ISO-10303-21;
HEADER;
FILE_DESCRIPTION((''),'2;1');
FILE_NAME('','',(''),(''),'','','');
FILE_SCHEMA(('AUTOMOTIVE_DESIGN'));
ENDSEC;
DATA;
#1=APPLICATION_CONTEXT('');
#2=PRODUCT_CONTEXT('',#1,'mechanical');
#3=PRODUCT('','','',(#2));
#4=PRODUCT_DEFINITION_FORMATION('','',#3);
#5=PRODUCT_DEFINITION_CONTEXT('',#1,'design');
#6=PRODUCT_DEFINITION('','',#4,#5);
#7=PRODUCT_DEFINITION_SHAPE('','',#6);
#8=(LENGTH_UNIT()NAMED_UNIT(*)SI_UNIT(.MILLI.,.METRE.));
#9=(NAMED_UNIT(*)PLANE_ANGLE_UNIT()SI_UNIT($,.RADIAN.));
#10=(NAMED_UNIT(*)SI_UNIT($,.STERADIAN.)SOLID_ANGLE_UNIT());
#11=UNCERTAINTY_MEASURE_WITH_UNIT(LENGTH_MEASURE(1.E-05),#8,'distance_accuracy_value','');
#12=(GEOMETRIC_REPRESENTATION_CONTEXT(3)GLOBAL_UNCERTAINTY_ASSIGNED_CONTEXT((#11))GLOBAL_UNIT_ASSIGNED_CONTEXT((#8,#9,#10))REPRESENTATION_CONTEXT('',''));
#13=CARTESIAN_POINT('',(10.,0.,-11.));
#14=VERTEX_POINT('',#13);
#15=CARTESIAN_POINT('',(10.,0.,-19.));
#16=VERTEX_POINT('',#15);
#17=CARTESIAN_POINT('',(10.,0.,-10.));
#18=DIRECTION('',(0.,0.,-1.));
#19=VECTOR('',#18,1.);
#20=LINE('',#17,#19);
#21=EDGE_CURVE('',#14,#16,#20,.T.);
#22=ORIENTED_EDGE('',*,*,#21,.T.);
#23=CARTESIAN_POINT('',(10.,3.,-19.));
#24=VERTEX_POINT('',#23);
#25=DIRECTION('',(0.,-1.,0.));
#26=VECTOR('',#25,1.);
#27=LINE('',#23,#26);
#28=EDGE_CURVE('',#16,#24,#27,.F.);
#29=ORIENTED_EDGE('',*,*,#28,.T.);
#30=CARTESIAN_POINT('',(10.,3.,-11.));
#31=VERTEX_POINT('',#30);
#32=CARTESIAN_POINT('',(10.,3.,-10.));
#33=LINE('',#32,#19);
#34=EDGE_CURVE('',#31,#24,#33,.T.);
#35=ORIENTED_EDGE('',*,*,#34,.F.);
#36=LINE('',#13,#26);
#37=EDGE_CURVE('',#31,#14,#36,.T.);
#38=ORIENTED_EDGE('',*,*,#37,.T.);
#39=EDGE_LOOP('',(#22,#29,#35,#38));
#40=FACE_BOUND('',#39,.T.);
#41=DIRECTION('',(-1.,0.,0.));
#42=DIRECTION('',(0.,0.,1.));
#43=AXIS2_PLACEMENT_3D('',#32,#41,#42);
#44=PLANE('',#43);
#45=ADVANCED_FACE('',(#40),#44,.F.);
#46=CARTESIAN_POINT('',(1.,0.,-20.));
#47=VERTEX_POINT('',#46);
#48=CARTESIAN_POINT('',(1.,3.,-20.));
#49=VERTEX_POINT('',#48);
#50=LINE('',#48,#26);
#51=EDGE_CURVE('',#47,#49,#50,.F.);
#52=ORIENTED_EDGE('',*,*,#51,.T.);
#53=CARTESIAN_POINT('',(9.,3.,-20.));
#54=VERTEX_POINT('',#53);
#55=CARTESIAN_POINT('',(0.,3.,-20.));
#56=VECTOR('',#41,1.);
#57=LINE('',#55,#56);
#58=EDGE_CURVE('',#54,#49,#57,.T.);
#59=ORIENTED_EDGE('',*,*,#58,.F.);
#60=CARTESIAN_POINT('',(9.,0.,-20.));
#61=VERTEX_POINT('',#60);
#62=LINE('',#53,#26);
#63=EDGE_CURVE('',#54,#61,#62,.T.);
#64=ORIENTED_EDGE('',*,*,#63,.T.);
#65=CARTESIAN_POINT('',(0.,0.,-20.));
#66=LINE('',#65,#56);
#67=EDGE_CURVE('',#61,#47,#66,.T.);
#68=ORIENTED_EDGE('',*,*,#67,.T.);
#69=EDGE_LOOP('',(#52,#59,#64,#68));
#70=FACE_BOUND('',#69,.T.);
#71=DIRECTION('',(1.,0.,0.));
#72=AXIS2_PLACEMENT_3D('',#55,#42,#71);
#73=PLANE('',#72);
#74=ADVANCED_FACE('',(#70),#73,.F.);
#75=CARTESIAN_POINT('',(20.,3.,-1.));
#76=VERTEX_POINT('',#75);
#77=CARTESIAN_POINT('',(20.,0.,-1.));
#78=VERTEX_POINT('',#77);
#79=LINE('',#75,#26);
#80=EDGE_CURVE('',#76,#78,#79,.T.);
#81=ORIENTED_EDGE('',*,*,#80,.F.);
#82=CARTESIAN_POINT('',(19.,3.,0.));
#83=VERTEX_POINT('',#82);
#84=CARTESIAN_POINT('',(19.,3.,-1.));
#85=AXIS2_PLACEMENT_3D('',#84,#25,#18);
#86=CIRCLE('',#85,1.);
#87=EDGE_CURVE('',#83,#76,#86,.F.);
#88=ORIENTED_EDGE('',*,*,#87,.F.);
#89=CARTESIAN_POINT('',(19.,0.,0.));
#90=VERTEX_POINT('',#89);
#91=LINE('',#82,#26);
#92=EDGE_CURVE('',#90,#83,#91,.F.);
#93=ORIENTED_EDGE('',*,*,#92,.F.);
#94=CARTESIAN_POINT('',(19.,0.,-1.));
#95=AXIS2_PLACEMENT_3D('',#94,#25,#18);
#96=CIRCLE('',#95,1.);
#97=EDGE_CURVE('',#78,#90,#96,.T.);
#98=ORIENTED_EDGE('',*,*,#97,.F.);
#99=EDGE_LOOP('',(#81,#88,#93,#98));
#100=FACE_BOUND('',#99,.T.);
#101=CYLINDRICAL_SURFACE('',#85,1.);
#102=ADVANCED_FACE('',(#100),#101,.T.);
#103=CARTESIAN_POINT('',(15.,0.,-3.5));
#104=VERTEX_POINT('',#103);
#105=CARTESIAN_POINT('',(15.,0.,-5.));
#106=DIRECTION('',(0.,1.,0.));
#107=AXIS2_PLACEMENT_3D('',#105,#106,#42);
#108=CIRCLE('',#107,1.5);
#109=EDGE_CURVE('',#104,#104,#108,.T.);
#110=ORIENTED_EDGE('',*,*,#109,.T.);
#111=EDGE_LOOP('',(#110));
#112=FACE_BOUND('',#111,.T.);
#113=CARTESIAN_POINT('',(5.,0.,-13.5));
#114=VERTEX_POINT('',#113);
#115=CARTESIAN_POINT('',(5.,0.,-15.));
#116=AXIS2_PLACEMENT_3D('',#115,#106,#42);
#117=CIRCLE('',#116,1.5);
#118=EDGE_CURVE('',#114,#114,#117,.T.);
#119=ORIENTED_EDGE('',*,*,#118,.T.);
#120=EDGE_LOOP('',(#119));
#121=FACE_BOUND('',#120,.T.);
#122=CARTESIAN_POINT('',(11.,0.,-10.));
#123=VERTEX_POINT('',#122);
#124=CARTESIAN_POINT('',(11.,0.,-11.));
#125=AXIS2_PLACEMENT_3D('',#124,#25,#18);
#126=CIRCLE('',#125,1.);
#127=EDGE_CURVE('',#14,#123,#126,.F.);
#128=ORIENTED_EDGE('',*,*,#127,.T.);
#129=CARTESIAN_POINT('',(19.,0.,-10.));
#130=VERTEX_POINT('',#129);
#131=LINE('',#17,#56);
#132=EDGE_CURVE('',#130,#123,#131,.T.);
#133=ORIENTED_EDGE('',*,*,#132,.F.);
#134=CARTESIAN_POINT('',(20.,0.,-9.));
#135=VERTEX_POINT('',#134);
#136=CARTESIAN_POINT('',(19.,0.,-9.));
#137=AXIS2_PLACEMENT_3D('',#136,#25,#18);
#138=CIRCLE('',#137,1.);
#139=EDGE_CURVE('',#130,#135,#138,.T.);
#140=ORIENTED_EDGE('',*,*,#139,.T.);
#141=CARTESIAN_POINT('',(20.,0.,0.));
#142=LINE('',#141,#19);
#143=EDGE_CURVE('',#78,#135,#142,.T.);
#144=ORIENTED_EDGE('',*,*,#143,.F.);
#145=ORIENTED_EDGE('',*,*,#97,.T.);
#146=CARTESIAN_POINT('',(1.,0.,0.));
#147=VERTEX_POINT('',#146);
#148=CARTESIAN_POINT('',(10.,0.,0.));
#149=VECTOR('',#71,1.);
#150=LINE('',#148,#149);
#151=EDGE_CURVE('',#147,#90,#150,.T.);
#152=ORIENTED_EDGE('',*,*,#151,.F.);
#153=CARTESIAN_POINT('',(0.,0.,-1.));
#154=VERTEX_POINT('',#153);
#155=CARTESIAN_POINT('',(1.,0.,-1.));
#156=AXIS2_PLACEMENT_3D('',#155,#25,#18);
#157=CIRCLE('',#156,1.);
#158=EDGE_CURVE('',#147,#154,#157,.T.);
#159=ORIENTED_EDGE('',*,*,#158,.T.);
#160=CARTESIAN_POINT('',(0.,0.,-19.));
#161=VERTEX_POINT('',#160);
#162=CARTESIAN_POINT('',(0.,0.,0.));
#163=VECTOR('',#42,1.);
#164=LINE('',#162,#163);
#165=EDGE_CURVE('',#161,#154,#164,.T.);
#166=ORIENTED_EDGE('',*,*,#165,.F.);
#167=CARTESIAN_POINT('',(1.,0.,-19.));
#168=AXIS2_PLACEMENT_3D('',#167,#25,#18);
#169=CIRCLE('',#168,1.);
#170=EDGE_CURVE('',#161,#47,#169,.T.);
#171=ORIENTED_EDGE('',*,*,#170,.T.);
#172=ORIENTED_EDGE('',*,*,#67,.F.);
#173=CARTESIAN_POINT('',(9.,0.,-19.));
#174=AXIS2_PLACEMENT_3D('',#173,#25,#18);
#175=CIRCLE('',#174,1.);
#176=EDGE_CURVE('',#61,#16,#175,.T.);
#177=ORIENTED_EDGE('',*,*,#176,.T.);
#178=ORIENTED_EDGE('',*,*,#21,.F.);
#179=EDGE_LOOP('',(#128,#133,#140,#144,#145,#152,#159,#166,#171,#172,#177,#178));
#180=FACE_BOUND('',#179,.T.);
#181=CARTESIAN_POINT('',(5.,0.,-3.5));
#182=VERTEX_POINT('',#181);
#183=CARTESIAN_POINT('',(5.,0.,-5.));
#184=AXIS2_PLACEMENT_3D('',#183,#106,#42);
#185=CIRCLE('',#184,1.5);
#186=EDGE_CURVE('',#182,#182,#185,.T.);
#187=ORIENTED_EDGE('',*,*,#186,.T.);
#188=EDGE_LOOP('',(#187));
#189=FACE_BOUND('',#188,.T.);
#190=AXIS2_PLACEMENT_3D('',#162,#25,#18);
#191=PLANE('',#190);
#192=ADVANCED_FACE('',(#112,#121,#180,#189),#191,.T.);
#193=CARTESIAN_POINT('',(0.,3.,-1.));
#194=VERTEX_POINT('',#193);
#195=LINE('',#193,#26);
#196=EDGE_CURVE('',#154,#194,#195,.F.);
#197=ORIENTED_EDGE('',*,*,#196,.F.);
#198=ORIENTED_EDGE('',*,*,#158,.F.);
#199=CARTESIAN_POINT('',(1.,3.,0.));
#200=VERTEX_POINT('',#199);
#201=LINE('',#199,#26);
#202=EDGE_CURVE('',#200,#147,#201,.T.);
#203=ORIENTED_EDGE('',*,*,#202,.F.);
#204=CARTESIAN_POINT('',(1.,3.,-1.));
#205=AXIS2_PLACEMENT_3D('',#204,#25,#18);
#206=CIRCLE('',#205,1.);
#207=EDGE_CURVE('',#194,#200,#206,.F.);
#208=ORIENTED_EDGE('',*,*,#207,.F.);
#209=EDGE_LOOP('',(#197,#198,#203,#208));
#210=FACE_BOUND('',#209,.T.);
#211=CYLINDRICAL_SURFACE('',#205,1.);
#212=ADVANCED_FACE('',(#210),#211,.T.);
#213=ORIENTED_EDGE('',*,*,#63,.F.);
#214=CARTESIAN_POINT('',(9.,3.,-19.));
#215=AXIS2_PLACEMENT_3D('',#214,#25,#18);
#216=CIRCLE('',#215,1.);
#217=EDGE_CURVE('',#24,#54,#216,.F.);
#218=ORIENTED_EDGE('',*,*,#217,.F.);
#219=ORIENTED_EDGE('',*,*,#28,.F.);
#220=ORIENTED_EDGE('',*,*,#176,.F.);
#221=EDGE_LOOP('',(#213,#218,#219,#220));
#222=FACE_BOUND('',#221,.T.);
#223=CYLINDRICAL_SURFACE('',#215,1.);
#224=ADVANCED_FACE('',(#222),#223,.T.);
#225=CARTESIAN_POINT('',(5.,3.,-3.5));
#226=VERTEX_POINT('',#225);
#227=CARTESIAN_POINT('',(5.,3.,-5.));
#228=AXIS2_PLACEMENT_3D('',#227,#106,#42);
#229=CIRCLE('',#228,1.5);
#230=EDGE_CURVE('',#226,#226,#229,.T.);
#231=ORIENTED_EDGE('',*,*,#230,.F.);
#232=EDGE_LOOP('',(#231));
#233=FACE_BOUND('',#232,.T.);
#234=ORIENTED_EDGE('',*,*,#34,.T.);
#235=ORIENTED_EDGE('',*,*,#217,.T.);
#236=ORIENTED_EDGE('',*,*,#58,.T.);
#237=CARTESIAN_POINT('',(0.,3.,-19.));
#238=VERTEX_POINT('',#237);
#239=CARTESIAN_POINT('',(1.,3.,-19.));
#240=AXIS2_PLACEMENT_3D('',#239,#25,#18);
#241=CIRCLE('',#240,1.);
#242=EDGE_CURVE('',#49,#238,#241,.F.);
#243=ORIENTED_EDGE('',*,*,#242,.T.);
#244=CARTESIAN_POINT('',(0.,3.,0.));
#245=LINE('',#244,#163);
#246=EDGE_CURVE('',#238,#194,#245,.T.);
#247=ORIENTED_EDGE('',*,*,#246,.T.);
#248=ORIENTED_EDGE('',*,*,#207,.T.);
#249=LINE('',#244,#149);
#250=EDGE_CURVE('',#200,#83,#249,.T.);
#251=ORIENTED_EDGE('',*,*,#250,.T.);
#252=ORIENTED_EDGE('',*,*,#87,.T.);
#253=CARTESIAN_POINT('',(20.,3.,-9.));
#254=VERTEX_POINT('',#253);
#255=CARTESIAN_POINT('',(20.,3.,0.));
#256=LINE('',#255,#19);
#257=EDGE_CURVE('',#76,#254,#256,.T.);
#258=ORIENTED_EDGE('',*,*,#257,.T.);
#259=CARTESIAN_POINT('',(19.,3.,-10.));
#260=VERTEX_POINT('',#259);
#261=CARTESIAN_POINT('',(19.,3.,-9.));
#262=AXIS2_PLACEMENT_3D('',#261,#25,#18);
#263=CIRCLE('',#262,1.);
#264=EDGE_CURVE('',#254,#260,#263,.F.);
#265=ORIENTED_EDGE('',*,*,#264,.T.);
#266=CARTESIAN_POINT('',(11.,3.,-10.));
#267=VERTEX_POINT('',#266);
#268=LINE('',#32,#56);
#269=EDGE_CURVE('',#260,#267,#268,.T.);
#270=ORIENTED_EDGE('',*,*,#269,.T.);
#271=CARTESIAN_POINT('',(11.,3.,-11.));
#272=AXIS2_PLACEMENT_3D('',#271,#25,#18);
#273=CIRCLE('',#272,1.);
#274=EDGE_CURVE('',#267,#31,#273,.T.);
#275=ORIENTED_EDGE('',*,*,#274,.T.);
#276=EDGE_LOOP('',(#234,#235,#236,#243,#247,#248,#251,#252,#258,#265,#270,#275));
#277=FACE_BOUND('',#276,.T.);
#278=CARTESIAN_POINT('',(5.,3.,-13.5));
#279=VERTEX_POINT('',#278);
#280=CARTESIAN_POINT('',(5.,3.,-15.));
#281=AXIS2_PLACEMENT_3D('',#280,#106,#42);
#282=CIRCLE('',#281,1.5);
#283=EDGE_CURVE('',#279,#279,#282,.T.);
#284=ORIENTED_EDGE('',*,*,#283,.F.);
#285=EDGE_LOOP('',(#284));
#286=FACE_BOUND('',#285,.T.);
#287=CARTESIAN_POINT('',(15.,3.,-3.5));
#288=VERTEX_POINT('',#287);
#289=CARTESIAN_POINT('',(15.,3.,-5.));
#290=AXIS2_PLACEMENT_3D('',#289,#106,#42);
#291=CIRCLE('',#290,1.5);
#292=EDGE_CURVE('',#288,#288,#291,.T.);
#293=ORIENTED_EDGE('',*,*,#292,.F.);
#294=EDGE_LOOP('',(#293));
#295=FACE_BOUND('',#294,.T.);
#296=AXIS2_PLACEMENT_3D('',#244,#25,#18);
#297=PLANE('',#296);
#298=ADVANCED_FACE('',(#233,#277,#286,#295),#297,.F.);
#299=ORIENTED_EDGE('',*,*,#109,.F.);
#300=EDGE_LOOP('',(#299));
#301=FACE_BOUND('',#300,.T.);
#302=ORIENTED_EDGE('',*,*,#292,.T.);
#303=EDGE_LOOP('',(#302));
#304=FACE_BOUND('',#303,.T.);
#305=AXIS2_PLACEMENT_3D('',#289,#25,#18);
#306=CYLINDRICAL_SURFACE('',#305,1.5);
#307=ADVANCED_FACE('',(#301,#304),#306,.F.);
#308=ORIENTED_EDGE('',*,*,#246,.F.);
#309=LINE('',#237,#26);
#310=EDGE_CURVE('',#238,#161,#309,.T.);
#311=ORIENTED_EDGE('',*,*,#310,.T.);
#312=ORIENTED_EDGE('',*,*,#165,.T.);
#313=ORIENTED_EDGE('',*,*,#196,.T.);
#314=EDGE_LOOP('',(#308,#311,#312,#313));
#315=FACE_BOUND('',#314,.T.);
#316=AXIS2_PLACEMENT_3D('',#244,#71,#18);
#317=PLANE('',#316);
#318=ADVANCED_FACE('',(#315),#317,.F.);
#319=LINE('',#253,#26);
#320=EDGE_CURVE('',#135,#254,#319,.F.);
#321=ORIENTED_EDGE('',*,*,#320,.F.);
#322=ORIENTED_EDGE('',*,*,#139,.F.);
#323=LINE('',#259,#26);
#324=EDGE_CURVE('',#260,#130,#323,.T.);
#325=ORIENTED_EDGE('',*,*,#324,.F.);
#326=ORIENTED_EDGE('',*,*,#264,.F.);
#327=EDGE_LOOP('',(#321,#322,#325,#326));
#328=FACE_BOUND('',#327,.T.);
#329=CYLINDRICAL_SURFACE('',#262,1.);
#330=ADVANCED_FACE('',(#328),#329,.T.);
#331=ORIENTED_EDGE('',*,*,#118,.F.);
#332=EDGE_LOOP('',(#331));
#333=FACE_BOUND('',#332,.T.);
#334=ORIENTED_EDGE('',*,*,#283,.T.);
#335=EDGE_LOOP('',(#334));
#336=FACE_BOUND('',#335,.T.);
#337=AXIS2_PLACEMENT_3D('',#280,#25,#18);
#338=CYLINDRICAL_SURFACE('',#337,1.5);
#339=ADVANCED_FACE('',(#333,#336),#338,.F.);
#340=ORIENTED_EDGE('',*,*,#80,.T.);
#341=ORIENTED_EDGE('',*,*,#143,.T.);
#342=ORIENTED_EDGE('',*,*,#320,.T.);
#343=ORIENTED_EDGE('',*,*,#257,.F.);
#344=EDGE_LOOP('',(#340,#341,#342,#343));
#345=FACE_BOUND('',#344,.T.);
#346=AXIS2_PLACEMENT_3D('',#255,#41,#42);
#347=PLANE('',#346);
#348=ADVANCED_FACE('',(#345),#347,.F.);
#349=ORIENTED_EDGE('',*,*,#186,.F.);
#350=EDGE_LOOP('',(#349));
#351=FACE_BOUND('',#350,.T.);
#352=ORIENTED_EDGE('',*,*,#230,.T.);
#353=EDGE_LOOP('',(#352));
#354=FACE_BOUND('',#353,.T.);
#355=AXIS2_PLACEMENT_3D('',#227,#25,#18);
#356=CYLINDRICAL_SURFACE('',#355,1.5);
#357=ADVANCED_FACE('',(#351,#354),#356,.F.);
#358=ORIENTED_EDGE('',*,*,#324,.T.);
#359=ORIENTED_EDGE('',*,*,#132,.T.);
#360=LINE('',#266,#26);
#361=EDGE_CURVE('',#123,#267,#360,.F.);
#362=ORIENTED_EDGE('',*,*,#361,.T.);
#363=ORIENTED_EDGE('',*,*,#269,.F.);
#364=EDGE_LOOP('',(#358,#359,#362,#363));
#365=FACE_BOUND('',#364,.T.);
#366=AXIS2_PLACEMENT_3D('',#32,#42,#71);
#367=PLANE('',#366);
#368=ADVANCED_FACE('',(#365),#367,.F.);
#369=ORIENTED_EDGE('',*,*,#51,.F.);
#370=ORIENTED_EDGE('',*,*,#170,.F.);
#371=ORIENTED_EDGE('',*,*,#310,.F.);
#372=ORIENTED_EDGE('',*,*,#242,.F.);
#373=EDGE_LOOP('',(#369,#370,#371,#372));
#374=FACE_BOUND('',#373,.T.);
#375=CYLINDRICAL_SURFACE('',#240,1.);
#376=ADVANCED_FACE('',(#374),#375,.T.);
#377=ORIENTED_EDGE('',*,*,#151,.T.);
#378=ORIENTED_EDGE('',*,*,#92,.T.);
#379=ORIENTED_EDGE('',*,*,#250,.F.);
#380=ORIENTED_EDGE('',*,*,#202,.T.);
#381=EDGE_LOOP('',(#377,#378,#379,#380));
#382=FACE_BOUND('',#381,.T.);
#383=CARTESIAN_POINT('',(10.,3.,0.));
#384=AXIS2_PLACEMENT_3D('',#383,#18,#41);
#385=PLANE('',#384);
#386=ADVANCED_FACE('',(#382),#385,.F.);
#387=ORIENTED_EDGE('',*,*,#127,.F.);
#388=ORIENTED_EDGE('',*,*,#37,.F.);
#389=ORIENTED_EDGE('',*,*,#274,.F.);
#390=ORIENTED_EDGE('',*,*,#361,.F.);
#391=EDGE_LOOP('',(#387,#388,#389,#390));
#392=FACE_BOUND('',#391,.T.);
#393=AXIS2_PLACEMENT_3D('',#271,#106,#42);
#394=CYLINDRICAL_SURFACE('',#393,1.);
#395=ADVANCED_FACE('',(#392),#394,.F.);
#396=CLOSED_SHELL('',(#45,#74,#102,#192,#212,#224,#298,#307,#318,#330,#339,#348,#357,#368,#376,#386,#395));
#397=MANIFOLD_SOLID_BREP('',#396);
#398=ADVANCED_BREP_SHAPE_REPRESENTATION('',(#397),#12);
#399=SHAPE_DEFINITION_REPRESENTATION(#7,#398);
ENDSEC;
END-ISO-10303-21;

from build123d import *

# Parameters (mm, degrees)
SKETCH1_R           = 1.5
BOSS_EXTRUDE1_DEPTH = 3
FILLET1_R           = 1
FILLET2_R           = 1


with BuildPart() as part:
    # Sketch1 → Boss-Extrude1 (new body)
    with BuildSketch(Plane(origin=(0, 0, 0), x_dir=(1, 0, 0), z_dir=(0, 1, 0))):
        Polygon((0, 0), (10, 0), (20, 0), (20, 10), (10, 10), (10, 20), (0, 20), align=None)
        with Locations(Location((5, 15, 0), (0, 0, 270))):
            Circle(SKETCH1_R, mode=Mode.SUBTRACT)
        with Locations(Location((5, 5, 0), (0, 0, 270))):
            Circle(SKETCH1_R, mode=Mode.SUBTRACT)
        with Locations(Location((15, 5, 0), (0, 0, 270))):
            Circle(SKETCH1_R, mode=Mode.SUBTRACT)
    extrude(amount=BOSS_EXTRUDE1_DEPTH)

    # Fillet1
    fillet1_edges = [part.edges().sort_by_distance(p)[0] for p in [
        (10, 1.5, -10),
    ]]
    fillet(fillet1_edges, radius=FILLET1_R)

    # Fillet2
    fillet2_edges = [part.edges().sort_by_distance(p)[0] for p in [
        (0, 1.5, -20),
        (10, 1.5, -20),
        (20, 1.5, -10),
        (20, 1.5, 0),
        (0, 1.5, 0),
    ]]
    fillet(fillet2_edges, radius=FILLET2_R)


solid = part.part
